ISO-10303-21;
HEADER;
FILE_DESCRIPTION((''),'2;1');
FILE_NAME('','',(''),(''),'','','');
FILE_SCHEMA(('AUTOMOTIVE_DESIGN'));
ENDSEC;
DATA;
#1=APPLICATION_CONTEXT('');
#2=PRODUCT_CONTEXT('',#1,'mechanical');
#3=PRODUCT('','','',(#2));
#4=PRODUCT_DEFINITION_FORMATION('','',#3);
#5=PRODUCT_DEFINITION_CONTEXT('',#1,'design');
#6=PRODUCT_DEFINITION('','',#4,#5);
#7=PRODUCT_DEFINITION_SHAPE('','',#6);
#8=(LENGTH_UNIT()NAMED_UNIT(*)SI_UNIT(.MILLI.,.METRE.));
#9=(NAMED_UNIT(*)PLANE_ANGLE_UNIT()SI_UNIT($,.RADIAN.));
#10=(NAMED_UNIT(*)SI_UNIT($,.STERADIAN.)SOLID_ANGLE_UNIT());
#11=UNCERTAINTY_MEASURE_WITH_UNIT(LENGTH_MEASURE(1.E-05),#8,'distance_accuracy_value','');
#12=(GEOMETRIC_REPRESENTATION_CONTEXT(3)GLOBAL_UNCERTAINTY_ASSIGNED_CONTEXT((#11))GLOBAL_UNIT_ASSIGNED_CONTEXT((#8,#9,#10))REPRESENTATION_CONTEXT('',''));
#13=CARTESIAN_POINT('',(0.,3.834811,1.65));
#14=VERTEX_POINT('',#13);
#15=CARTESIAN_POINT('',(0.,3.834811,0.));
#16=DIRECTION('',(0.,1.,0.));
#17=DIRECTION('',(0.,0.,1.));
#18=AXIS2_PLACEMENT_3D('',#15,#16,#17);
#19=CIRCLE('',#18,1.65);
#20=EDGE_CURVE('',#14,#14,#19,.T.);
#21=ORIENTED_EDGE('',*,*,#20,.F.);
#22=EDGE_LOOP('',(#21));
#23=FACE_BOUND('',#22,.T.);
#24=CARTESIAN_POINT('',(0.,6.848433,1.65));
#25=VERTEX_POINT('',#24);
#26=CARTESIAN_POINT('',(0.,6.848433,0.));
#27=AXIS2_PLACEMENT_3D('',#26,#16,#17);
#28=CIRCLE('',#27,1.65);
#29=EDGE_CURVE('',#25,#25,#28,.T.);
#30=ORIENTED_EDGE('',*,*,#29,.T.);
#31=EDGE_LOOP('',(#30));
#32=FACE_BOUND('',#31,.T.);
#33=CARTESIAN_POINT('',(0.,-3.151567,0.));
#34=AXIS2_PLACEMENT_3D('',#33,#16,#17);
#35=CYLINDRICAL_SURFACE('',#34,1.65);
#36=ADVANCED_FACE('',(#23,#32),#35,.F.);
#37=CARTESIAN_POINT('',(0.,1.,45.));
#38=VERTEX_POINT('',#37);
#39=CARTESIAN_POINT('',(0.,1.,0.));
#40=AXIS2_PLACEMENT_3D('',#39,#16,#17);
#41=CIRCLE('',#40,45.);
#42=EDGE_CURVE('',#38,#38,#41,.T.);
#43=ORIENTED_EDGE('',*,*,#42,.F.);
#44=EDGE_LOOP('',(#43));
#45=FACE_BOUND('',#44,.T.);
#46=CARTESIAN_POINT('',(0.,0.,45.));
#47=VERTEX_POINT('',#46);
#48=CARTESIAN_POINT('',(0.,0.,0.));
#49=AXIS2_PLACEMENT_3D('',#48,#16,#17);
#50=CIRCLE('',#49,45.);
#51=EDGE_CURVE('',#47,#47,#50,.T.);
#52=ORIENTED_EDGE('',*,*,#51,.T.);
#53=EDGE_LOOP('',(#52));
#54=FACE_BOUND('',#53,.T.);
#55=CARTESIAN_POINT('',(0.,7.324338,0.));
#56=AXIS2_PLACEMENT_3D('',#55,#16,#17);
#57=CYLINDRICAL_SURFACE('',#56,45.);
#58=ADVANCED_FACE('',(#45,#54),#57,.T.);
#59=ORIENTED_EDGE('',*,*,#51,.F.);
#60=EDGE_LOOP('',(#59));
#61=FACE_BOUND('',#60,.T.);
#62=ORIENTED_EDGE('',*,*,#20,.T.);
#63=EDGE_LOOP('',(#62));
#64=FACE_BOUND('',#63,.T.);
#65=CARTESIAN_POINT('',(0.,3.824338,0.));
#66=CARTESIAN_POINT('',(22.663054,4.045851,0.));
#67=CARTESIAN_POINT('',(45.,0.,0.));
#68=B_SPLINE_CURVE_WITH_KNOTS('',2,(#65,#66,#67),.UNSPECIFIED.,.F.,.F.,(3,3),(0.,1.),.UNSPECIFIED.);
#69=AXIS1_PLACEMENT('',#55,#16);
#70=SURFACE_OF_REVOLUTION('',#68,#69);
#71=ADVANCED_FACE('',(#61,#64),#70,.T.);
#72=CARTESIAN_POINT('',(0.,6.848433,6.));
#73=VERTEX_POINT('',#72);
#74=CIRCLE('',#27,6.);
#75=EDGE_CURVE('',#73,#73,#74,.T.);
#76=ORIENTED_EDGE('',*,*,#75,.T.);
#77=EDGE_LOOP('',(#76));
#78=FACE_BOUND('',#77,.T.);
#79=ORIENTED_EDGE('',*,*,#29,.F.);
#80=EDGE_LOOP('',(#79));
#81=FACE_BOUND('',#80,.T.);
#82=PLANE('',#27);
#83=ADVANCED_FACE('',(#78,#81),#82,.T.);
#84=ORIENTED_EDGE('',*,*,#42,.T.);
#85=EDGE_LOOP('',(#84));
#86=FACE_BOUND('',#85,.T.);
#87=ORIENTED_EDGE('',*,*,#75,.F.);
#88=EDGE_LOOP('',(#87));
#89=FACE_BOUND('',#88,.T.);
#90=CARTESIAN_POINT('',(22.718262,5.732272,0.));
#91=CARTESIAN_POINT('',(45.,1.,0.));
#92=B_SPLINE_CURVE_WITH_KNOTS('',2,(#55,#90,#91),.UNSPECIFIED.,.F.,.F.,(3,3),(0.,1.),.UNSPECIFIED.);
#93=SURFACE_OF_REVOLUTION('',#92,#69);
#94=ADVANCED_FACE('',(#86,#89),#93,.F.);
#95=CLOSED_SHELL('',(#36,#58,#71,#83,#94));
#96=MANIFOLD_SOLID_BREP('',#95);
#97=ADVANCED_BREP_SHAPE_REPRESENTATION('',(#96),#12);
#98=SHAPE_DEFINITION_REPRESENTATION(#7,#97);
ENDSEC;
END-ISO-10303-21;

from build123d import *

# Parameters (mm, degrees)
SKETCH_3_R          = 1.65
CUT_EXTRUDE_1_DEPTH = 10


with BuildPart() as part:
    # 草图2 → 旋转1 (revolve)
    with BuildSketch(Plane.XY, mode=Mode.PRIVATE) as revolve_1_sk:
        with BuildLine():
            add(Edge.make_bspline(
                [(0, 3.824337562), (22.663053636, 4.045850944), (45, 0)],
                knots=[0, 0, 0, 1, 1, 1], degree=2))
            Line((45, 0), (45, 1))
            add(Edge.make_bspline(
                [(6, 6.848433077), (25.664360661, 5.106569795), (45, 1)],
                knots=[0.132220311, 0.132220311, 0.132220311, 1, 1, 1], degree=2))
            Line((6, 6.848433077), (0, 6.848433077))
            Line((0, 6.848433077), (0, 3.824337562))
        make_face()
    revolve(revolve_1_sk.sketch.rotate(Axis((0, 7.324337562, 0), (0, -1, 0)), 90), axis=Axis((0, 7.324337562, 0), (0, -1, 0)))

    # 草图3 → 切除-拉伸1 (cut)
    with BuildSketch(Plane(origin=(0, 6.848433077, 0), x_dir=(1, 0, 0), z_dir=(0, 1, 0))):
        with Locations(Location((0, 0, 0), (0, 0, 270))):
            Circle(SKETCH_3_R)
    extrude(amount=-CUT_EXTRUDE_1_DEPTH, mode=Mode.SUBTRACT)


solid = part.part
